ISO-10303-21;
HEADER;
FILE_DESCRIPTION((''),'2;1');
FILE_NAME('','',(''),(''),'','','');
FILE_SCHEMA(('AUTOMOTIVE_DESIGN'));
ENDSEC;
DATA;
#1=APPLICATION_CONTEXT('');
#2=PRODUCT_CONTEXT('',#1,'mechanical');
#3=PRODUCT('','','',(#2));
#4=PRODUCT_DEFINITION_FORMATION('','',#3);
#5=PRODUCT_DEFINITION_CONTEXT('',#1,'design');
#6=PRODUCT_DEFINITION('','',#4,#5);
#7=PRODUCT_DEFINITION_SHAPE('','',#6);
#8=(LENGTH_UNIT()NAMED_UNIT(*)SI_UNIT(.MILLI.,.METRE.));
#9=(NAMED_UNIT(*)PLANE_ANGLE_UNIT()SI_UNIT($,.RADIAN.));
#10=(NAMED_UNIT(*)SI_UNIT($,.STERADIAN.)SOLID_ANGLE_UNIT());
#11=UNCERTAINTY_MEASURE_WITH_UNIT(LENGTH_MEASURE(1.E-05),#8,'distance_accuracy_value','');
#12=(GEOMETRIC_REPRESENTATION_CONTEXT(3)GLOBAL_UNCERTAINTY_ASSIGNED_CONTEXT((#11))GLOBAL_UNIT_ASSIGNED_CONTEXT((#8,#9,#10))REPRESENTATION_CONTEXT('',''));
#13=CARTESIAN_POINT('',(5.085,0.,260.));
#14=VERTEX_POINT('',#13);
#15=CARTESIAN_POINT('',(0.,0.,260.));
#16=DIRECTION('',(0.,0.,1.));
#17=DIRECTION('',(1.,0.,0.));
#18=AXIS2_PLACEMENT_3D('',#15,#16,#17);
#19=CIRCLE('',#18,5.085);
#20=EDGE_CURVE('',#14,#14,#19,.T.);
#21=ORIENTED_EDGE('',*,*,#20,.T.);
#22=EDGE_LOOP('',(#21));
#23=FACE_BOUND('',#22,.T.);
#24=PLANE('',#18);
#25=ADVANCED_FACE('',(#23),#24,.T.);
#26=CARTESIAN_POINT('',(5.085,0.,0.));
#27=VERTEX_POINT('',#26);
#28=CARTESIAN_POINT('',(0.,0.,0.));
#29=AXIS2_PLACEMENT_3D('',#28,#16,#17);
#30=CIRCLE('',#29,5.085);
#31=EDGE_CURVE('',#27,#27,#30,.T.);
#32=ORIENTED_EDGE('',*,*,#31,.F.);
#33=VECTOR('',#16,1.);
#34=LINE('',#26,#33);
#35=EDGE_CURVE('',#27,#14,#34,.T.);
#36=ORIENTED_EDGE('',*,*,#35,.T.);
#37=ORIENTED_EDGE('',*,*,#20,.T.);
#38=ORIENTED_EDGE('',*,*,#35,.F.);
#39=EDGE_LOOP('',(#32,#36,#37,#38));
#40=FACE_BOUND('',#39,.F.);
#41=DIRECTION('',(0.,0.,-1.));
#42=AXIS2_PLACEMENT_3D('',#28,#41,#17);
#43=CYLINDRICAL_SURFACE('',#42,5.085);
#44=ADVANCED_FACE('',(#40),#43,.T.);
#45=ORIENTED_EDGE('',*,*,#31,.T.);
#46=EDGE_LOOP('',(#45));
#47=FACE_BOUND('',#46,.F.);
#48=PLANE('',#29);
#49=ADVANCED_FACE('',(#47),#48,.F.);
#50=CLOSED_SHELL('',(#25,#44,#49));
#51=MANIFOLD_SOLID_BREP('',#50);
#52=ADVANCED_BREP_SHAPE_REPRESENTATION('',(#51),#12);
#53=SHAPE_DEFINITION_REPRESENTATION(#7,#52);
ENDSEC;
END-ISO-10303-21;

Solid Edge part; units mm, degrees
sketch "Sketch1" plane through (0, 0, 0) normal (0, 0, 1) x (1, 0, 0)
  circle A0 centre (0, 0) radius 5.085
extrude "Protrusion1" add sketch "Sketch1" along normal blind 260
